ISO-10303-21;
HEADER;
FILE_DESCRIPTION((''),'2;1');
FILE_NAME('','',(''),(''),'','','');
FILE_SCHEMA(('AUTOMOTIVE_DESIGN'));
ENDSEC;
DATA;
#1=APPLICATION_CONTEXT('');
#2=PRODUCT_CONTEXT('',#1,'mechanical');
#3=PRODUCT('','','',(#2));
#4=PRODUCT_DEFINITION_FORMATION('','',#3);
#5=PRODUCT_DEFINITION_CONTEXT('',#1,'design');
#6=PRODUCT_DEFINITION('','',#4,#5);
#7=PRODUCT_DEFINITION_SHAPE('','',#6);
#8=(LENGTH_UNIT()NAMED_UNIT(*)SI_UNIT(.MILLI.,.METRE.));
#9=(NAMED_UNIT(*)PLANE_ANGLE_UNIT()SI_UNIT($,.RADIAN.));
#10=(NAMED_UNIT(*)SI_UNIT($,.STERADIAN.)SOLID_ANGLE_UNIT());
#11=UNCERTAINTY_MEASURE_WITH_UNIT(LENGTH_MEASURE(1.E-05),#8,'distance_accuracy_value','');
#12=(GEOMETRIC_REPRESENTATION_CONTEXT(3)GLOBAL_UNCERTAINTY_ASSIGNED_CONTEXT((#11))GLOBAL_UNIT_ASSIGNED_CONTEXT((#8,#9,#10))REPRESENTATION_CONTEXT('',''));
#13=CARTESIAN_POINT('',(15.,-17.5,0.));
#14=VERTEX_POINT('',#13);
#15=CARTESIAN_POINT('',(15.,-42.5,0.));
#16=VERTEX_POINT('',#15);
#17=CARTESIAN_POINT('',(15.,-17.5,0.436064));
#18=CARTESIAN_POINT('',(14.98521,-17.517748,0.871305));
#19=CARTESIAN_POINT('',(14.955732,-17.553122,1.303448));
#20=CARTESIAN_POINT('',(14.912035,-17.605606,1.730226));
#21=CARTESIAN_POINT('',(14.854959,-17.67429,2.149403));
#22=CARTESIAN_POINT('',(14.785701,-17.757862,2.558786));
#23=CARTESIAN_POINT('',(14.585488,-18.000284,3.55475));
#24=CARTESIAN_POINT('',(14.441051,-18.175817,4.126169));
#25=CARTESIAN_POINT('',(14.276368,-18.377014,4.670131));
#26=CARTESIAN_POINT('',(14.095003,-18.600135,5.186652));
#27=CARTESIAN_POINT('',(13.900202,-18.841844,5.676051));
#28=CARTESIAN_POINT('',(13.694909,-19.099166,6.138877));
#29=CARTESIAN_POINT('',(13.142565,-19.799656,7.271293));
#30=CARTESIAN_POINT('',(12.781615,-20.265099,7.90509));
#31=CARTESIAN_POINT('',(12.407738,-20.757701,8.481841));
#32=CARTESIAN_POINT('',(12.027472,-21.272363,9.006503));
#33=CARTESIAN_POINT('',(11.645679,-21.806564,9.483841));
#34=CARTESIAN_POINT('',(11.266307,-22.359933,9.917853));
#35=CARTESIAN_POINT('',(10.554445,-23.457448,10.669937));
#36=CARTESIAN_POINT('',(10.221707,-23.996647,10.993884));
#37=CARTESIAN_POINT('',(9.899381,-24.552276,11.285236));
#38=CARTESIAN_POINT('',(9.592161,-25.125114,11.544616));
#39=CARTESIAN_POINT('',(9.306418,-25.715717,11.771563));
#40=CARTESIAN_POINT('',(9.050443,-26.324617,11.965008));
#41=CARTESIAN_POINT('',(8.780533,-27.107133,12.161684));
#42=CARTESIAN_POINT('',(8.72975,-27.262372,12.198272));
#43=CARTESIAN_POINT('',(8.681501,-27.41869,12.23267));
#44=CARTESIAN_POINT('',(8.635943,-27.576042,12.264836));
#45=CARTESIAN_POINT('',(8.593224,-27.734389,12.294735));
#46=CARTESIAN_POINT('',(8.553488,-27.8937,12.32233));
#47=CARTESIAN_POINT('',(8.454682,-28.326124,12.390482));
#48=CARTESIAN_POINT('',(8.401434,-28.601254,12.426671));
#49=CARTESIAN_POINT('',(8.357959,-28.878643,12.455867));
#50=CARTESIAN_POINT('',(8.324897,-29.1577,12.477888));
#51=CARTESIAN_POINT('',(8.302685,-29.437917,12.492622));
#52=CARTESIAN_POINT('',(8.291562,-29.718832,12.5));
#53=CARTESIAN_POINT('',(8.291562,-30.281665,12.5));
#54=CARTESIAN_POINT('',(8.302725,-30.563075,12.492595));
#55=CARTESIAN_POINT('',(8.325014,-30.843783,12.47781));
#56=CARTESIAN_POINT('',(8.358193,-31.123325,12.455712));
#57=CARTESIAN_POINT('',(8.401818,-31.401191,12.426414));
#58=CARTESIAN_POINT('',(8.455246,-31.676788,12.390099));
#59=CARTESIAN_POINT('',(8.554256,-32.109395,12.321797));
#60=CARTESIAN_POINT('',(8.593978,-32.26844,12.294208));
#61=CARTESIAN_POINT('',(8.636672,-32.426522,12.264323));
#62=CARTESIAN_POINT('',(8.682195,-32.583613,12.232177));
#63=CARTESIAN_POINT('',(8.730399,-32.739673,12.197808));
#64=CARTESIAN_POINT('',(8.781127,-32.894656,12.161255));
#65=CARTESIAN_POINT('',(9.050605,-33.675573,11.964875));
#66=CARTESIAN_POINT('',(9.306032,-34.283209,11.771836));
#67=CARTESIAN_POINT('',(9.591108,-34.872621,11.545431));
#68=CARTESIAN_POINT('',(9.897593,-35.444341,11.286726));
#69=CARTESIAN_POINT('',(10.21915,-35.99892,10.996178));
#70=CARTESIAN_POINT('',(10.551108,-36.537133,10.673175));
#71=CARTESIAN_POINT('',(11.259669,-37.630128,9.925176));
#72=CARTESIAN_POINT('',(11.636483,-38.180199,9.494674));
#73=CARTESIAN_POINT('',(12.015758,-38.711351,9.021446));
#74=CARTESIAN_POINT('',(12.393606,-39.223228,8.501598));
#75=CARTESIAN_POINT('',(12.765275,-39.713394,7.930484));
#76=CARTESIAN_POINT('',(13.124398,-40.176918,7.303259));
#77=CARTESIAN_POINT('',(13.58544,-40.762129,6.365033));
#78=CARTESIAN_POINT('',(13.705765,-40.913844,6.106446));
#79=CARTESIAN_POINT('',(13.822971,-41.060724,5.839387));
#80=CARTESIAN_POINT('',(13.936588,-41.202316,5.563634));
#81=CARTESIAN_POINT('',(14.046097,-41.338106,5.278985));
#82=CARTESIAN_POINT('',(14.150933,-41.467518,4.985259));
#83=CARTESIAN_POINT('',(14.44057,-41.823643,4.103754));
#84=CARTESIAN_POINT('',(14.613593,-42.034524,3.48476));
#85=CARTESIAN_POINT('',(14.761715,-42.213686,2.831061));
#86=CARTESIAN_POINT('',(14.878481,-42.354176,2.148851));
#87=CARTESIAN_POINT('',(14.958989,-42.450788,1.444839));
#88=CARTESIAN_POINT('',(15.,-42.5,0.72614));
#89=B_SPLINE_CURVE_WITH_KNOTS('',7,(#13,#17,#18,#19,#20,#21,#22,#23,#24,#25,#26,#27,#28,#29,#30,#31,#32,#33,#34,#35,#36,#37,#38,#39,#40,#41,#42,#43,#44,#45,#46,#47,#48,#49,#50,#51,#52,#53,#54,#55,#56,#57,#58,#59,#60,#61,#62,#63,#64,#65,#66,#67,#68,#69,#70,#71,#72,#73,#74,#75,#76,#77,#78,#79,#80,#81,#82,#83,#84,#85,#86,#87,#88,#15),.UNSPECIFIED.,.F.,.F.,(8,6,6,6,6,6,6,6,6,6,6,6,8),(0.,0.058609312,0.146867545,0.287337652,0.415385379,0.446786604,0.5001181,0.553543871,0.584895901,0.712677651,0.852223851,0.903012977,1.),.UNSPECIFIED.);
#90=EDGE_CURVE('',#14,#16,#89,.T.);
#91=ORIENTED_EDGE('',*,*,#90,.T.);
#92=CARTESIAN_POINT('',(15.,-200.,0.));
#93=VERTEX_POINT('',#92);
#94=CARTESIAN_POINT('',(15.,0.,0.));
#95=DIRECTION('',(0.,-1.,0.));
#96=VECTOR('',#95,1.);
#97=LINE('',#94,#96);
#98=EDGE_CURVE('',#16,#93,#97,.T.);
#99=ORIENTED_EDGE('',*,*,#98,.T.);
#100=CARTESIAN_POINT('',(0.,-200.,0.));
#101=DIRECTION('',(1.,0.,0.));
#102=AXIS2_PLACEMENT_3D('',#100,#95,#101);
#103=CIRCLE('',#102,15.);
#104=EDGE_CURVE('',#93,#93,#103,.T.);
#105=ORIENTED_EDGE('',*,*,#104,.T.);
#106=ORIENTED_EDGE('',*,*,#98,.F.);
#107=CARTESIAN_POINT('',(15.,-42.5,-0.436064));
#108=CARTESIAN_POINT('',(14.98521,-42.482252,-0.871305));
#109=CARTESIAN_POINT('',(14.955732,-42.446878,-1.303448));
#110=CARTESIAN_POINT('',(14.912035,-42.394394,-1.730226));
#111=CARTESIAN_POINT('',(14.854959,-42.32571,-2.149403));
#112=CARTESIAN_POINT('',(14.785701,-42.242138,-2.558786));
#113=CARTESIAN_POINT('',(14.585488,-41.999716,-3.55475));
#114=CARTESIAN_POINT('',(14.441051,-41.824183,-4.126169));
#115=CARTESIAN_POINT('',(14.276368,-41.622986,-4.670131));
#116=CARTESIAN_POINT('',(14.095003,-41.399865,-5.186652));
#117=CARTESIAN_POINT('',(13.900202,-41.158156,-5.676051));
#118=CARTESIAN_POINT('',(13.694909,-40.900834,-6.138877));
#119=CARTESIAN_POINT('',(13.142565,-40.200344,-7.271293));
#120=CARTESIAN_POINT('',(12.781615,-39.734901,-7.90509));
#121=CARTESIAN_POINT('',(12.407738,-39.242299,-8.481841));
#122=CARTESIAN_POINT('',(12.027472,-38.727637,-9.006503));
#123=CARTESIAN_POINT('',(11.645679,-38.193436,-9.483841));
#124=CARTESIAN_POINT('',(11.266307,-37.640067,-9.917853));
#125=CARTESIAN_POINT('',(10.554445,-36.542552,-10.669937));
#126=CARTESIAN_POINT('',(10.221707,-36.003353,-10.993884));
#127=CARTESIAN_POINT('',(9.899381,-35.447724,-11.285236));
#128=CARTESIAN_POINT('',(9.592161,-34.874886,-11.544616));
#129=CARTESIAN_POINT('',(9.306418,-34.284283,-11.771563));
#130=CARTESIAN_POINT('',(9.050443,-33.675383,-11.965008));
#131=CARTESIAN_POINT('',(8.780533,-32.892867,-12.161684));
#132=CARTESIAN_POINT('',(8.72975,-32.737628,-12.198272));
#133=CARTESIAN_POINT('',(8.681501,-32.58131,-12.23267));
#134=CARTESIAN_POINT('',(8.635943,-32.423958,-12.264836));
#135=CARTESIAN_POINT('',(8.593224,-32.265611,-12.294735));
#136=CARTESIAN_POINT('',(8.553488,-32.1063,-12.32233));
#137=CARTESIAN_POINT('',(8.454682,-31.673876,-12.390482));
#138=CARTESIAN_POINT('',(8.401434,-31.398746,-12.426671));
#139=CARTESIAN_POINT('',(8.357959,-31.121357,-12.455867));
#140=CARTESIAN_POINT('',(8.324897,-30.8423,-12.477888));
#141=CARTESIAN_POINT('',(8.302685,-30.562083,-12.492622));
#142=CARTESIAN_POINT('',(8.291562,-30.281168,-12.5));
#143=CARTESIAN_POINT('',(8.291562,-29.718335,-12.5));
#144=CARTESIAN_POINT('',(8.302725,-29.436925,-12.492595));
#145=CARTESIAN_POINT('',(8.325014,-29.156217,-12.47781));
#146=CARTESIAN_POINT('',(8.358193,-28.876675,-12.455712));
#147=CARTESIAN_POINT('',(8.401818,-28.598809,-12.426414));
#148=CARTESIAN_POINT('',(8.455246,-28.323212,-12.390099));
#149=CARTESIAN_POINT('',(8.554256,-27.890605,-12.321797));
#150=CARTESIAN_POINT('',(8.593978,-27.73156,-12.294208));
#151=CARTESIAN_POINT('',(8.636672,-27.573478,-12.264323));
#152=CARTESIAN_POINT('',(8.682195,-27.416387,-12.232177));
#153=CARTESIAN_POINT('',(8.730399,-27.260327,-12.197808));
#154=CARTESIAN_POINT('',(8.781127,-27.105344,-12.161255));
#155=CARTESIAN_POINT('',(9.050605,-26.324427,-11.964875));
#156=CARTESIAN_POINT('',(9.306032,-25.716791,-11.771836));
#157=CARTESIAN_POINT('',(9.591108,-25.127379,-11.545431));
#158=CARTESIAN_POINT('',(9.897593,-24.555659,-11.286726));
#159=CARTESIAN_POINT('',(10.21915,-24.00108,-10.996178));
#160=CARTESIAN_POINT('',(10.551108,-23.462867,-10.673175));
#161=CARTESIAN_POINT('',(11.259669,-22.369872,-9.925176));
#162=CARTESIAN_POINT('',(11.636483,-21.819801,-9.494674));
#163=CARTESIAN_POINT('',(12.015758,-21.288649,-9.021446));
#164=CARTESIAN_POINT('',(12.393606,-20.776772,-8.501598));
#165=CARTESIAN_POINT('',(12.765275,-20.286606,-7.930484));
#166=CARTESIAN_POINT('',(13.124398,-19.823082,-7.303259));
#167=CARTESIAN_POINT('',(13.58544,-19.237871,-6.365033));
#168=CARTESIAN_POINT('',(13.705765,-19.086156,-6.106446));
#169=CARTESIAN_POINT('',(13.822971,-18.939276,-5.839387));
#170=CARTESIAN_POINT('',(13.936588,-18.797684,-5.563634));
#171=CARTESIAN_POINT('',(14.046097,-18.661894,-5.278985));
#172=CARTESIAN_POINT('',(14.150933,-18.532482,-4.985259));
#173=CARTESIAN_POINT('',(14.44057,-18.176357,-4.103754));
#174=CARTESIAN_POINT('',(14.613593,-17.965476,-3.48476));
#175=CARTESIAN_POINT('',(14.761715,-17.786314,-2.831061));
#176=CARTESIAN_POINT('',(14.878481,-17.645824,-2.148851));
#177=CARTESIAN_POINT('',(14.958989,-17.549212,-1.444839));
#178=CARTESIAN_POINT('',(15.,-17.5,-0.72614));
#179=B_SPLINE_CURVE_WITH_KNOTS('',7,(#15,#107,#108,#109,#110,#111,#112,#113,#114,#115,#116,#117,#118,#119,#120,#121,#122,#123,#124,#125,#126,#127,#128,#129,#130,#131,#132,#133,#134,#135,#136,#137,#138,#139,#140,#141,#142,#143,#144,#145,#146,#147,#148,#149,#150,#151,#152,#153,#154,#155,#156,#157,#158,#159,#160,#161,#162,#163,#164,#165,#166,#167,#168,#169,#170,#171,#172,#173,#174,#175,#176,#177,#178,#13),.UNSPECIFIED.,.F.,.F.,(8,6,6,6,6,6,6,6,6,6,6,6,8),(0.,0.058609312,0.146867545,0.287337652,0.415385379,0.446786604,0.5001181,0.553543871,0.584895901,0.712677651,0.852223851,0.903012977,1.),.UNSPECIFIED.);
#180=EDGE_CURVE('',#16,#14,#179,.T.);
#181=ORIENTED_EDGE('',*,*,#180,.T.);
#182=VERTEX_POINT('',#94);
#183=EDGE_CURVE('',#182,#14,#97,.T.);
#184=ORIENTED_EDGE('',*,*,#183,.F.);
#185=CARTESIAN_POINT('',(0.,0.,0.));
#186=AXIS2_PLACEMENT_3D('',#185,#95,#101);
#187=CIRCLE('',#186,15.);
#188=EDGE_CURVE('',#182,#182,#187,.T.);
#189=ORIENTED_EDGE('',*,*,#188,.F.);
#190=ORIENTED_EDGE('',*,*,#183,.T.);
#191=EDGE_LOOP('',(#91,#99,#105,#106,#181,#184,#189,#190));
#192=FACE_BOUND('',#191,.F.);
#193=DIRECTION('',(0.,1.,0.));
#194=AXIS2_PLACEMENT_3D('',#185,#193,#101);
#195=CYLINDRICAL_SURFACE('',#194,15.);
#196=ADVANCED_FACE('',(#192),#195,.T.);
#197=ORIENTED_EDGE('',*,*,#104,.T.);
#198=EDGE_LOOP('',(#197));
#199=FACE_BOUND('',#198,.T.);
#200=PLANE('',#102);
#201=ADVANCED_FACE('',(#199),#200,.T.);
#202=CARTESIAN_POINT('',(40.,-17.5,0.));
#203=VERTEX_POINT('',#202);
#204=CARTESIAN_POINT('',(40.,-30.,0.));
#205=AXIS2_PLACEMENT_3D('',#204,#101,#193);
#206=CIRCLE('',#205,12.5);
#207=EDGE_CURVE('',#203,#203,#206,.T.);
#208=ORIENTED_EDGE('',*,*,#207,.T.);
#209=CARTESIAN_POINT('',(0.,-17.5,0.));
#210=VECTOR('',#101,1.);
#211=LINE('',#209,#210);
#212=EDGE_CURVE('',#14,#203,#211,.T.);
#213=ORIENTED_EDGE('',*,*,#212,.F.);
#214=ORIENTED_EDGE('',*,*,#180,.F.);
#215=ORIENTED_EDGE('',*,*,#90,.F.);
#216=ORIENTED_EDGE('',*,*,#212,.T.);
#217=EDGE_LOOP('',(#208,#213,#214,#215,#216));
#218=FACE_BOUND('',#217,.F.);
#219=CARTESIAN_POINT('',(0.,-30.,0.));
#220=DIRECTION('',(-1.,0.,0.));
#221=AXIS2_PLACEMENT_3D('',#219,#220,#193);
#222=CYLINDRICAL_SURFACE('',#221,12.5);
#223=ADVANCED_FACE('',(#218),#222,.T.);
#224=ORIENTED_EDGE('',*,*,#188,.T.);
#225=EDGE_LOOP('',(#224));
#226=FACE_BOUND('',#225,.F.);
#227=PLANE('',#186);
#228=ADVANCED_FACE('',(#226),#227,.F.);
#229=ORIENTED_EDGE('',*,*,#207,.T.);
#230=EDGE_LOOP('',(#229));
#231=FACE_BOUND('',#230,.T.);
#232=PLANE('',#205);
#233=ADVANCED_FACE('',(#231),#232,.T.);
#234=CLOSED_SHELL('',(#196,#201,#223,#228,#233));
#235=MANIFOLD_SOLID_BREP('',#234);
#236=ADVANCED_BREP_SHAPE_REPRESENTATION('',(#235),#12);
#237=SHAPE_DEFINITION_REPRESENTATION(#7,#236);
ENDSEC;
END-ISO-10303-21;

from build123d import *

# Parameters (mm, degrees)
F0_R     = 15
F1_DEPTH = 200
F2_R     = 12.5
F3_DEPTH = 40


with BuildPart() as f1:
    # F0 (on Front) → F1 (new body)
    with BuildSketch(Plane.XZ):
        Circle(F0_R)
    extrude(amount=F1_DEPTH)

    # F2 (on Right) → F3 (join)
    with BuildSketch(Plane.YZ):
        with Locations((-30, 0)):
            Circle(F2_R)
    extrude(amount=F3_DEPTH)


solid = f1.part
